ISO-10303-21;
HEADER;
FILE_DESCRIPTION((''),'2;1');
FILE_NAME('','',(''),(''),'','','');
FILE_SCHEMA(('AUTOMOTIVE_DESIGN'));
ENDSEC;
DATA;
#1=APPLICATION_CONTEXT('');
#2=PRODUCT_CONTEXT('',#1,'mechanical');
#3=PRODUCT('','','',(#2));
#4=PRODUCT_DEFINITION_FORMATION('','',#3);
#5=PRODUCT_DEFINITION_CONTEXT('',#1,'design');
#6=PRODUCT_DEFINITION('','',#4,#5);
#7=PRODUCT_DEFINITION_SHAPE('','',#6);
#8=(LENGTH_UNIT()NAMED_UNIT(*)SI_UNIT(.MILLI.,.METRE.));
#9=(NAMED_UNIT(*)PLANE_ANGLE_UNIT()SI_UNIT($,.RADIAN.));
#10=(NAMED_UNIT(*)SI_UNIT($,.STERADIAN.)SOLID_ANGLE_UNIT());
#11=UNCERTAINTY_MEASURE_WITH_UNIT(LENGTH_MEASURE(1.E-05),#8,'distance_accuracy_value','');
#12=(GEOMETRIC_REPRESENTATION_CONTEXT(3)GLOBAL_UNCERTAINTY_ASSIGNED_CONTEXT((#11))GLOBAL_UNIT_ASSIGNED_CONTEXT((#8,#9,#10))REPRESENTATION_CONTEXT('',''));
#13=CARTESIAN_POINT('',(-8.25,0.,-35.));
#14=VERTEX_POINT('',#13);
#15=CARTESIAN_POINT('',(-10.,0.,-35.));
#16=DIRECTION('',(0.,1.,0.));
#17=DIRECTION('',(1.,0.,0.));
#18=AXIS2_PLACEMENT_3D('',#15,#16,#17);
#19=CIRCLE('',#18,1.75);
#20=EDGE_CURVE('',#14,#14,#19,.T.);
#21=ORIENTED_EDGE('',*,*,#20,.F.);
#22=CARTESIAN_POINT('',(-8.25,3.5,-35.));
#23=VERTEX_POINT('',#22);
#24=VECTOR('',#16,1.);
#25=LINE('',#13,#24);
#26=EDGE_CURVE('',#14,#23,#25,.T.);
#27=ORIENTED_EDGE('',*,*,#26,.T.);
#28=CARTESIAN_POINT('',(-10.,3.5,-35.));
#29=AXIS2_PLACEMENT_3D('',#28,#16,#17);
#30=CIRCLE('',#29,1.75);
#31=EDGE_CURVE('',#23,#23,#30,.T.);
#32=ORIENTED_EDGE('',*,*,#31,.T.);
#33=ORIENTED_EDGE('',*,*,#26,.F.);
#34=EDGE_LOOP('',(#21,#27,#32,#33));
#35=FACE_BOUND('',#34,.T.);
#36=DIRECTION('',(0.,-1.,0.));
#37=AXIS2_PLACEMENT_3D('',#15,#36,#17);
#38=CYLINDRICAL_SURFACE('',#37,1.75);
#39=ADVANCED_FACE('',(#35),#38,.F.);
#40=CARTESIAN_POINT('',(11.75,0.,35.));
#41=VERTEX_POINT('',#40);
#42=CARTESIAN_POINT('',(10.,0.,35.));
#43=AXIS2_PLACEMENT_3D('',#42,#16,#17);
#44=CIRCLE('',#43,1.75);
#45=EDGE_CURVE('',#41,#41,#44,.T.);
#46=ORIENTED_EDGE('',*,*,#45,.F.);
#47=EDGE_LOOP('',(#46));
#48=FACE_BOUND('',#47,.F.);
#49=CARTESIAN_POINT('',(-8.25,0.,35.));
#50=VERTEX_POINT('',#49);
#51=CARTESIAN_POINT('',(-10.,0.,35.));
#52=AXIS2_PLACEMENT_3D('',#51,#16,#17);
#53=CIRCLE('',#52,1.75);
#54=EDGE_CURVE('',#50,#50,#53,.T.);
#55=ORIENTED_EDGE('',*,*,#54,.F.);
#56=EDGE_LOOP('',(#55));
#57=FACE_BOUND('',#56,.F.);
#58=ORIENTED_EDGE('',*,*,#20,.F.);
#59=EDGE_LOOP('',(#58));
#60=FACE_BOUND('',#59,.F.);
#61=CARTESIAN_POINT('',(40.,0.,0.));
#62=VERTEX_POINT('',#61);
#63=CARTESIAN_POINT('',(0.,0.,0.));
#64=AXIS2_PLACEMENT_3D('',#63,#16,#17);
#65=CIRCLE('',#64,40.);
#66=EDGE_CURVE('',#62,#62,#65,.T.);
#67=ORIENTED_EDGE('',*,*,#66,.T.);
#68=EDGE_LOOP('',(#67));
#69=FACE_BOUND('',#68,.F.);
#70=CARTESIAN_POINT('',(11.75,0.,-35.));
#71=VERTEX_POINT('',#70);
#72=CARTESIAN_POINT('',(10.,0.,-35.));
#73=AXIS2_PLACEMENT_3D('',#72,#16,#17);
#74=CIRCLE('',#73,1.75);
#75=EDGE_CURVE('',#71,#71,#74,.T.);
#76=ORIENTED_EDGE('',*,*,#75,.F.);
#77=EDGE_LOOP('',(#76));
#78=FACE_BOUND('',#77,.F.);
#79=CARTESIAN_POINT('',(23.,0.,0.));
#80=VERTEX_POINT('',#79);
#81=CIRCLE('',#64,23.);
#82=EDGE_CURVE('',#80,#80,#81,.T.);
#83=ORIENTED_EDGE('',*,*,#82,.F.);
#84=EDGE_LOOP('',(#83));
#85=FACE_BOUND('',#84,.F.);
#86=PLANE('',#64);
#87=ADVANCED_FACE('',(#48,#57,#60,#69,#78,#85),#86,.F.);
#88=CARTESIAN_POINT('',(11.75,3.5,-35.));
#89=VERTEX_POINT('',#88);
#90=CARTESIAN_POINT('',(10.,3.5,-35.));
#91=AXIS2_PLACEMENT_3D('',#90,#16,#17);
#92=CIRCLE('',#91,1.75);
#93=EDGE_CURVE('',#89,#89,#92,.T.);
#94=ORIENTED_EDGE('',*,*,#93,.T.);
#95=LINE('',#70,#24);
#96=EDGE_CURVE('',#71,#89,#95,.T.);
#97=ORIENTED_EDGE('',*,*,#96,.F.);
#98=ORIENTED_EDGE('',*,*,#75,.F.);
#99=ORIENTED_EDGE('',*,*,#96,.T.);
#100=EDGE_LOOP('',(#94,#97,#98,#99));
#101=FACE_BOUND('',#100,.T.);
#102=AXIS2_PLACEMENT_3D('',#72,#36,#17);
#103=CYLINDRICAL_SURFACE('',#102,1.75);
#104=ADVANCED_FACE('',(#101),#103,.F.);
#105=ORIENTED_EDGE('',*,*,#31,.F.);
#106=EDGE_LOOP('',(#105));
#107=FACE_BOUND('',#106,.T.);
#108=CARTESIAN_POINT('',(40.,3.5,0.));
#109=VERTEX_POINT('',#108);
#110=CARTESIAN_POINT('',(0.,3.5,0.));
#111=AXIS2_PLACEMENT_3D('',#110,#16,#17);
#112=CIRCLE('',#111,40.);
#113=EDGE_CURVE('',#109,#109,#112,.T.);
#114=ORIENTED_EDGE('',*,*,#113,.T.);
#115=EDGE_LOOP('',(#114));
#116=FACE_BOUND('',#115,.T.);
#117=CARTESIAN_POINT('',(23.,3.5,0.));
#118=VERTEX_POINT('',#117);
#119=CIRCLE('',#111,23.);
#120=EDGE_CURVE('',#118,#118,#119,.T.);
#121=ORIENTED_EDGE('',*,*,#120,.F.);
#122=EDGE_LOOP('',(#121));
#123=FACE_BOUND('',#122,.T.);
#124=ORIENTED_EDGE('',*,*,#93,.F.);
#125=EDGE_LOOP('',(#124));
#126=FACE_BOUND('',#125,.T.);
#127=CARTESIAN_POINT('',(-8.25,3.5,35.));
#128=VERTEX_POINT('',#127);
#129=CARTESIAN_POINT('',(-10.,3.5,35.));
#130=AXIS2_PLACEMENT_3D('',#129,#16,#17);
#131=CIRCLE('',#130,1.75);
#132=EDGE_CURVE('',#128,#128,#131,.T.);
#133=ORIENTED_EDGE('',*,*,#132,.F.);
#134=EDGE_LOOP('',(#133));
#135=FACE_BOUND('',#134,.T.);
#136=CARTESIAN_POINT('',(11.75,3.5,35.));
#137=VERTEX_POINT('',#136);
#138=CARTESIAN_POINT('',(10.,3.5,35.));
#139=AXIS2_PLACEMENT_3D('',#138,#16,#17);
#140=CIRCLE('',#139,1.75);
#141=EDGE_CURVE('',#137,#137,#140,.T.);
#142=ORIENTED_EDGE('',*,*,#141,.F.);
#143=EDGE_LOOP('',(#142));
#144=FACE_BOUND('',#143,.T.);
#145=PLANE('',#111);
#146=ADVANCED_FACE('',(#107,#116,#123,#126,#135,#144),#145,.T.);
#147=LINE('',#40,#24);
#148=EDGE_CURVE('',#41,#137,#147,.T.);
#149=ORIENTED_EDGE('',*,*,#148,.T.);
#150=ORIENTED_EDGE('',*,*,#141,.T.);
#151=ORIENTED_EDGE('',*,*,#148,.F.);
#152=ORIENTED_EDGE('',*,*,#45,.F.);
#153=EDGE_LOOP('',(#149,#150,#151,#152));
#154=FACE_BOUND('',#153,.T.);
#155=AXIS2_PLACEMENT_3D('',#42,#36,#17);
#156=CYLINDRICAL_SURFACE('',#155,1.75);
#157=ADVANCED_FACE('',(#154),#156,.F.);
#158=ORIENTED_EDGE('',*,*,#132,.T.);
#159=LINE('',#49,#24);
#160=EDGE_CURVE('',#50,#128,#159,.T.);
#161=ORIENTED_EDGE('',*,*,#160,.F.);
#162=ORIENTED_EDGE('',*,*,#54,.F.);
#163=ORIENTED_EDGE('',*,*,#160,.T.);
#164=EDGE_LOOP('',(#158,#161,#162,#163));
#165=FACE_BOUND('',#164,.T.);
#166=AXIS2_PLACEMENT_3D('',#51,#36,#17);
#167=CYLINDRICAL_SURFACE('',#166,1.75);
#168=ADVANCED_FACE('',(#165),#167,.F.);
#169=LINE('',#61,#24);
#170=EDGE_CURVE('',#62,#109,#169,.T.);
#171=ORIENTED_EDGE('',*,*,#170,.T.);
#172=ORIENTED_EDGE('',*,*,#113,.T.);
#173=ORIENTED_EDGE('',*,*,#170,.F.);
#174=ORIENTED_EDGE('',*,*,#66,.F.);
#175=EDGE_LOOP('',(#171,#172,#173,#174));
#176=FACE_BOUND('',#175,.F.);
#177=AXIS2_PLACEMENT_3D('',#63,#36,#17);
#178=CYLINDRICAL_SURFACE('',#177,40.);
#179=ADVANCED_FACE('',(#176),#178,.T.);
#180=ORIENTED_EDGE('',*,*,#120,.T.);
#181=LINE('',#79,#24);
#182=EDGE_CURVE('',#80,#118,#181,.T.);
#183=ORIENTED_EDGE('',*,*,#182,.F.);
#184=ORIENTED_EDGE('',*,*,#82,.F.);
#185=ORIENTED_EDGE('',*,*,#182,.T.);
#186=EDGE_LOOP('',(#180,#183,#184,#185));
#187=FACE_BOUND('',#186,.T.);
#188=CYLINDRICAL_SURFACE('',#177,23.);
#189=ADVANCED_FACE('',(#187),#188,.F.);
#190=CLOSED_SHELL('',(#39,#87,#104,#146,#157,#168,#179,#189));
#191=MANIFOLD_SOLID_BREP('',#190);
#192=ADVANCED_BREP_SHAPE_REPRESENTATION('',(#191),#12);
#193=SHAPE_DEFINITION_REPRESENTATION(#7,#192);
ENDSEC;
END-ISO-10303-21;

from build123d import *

# Parameters (mm, degrees)
SKETCH1_R           = 40
SKETCH1_R_2         = 1.75
SKETCH1_R_3         = 23
BOSS_EXTRUDE1_DEPTH = 3.5


with BuildPart() as part:
    # Sketch1 → Boss-Extrude1 (new body)
    with BuildSketch(Plane(origin=(0, 0, 0), x_dir=(1, 0, 0), z_dir=(0, 1, 0))):
        Circle(SKETCH1_R)
        with Locations((10, 35)):
            Circle(SKETCH1_R_2, mode=Mode.SUBTRACT)
        with Locations((-10, 35)):
            Circle(SKETCH1_R_2, mode=Mode.SUBTRACT)
        with Locations((10, -35)):
            Circle(SKETCH1_R_2, mode=Mode.SUBTRACT)
        with Locations((-10, -35)):
            Circle(SKETCH1_R_2, mode=Mode.SUBTRACT)
        Circle(SKETCH1_R_3, mode=Mode.SUBTRACT)
    extrude(amount=BOSS_EXTRUDE1_DEPTH)


solid = part.part
